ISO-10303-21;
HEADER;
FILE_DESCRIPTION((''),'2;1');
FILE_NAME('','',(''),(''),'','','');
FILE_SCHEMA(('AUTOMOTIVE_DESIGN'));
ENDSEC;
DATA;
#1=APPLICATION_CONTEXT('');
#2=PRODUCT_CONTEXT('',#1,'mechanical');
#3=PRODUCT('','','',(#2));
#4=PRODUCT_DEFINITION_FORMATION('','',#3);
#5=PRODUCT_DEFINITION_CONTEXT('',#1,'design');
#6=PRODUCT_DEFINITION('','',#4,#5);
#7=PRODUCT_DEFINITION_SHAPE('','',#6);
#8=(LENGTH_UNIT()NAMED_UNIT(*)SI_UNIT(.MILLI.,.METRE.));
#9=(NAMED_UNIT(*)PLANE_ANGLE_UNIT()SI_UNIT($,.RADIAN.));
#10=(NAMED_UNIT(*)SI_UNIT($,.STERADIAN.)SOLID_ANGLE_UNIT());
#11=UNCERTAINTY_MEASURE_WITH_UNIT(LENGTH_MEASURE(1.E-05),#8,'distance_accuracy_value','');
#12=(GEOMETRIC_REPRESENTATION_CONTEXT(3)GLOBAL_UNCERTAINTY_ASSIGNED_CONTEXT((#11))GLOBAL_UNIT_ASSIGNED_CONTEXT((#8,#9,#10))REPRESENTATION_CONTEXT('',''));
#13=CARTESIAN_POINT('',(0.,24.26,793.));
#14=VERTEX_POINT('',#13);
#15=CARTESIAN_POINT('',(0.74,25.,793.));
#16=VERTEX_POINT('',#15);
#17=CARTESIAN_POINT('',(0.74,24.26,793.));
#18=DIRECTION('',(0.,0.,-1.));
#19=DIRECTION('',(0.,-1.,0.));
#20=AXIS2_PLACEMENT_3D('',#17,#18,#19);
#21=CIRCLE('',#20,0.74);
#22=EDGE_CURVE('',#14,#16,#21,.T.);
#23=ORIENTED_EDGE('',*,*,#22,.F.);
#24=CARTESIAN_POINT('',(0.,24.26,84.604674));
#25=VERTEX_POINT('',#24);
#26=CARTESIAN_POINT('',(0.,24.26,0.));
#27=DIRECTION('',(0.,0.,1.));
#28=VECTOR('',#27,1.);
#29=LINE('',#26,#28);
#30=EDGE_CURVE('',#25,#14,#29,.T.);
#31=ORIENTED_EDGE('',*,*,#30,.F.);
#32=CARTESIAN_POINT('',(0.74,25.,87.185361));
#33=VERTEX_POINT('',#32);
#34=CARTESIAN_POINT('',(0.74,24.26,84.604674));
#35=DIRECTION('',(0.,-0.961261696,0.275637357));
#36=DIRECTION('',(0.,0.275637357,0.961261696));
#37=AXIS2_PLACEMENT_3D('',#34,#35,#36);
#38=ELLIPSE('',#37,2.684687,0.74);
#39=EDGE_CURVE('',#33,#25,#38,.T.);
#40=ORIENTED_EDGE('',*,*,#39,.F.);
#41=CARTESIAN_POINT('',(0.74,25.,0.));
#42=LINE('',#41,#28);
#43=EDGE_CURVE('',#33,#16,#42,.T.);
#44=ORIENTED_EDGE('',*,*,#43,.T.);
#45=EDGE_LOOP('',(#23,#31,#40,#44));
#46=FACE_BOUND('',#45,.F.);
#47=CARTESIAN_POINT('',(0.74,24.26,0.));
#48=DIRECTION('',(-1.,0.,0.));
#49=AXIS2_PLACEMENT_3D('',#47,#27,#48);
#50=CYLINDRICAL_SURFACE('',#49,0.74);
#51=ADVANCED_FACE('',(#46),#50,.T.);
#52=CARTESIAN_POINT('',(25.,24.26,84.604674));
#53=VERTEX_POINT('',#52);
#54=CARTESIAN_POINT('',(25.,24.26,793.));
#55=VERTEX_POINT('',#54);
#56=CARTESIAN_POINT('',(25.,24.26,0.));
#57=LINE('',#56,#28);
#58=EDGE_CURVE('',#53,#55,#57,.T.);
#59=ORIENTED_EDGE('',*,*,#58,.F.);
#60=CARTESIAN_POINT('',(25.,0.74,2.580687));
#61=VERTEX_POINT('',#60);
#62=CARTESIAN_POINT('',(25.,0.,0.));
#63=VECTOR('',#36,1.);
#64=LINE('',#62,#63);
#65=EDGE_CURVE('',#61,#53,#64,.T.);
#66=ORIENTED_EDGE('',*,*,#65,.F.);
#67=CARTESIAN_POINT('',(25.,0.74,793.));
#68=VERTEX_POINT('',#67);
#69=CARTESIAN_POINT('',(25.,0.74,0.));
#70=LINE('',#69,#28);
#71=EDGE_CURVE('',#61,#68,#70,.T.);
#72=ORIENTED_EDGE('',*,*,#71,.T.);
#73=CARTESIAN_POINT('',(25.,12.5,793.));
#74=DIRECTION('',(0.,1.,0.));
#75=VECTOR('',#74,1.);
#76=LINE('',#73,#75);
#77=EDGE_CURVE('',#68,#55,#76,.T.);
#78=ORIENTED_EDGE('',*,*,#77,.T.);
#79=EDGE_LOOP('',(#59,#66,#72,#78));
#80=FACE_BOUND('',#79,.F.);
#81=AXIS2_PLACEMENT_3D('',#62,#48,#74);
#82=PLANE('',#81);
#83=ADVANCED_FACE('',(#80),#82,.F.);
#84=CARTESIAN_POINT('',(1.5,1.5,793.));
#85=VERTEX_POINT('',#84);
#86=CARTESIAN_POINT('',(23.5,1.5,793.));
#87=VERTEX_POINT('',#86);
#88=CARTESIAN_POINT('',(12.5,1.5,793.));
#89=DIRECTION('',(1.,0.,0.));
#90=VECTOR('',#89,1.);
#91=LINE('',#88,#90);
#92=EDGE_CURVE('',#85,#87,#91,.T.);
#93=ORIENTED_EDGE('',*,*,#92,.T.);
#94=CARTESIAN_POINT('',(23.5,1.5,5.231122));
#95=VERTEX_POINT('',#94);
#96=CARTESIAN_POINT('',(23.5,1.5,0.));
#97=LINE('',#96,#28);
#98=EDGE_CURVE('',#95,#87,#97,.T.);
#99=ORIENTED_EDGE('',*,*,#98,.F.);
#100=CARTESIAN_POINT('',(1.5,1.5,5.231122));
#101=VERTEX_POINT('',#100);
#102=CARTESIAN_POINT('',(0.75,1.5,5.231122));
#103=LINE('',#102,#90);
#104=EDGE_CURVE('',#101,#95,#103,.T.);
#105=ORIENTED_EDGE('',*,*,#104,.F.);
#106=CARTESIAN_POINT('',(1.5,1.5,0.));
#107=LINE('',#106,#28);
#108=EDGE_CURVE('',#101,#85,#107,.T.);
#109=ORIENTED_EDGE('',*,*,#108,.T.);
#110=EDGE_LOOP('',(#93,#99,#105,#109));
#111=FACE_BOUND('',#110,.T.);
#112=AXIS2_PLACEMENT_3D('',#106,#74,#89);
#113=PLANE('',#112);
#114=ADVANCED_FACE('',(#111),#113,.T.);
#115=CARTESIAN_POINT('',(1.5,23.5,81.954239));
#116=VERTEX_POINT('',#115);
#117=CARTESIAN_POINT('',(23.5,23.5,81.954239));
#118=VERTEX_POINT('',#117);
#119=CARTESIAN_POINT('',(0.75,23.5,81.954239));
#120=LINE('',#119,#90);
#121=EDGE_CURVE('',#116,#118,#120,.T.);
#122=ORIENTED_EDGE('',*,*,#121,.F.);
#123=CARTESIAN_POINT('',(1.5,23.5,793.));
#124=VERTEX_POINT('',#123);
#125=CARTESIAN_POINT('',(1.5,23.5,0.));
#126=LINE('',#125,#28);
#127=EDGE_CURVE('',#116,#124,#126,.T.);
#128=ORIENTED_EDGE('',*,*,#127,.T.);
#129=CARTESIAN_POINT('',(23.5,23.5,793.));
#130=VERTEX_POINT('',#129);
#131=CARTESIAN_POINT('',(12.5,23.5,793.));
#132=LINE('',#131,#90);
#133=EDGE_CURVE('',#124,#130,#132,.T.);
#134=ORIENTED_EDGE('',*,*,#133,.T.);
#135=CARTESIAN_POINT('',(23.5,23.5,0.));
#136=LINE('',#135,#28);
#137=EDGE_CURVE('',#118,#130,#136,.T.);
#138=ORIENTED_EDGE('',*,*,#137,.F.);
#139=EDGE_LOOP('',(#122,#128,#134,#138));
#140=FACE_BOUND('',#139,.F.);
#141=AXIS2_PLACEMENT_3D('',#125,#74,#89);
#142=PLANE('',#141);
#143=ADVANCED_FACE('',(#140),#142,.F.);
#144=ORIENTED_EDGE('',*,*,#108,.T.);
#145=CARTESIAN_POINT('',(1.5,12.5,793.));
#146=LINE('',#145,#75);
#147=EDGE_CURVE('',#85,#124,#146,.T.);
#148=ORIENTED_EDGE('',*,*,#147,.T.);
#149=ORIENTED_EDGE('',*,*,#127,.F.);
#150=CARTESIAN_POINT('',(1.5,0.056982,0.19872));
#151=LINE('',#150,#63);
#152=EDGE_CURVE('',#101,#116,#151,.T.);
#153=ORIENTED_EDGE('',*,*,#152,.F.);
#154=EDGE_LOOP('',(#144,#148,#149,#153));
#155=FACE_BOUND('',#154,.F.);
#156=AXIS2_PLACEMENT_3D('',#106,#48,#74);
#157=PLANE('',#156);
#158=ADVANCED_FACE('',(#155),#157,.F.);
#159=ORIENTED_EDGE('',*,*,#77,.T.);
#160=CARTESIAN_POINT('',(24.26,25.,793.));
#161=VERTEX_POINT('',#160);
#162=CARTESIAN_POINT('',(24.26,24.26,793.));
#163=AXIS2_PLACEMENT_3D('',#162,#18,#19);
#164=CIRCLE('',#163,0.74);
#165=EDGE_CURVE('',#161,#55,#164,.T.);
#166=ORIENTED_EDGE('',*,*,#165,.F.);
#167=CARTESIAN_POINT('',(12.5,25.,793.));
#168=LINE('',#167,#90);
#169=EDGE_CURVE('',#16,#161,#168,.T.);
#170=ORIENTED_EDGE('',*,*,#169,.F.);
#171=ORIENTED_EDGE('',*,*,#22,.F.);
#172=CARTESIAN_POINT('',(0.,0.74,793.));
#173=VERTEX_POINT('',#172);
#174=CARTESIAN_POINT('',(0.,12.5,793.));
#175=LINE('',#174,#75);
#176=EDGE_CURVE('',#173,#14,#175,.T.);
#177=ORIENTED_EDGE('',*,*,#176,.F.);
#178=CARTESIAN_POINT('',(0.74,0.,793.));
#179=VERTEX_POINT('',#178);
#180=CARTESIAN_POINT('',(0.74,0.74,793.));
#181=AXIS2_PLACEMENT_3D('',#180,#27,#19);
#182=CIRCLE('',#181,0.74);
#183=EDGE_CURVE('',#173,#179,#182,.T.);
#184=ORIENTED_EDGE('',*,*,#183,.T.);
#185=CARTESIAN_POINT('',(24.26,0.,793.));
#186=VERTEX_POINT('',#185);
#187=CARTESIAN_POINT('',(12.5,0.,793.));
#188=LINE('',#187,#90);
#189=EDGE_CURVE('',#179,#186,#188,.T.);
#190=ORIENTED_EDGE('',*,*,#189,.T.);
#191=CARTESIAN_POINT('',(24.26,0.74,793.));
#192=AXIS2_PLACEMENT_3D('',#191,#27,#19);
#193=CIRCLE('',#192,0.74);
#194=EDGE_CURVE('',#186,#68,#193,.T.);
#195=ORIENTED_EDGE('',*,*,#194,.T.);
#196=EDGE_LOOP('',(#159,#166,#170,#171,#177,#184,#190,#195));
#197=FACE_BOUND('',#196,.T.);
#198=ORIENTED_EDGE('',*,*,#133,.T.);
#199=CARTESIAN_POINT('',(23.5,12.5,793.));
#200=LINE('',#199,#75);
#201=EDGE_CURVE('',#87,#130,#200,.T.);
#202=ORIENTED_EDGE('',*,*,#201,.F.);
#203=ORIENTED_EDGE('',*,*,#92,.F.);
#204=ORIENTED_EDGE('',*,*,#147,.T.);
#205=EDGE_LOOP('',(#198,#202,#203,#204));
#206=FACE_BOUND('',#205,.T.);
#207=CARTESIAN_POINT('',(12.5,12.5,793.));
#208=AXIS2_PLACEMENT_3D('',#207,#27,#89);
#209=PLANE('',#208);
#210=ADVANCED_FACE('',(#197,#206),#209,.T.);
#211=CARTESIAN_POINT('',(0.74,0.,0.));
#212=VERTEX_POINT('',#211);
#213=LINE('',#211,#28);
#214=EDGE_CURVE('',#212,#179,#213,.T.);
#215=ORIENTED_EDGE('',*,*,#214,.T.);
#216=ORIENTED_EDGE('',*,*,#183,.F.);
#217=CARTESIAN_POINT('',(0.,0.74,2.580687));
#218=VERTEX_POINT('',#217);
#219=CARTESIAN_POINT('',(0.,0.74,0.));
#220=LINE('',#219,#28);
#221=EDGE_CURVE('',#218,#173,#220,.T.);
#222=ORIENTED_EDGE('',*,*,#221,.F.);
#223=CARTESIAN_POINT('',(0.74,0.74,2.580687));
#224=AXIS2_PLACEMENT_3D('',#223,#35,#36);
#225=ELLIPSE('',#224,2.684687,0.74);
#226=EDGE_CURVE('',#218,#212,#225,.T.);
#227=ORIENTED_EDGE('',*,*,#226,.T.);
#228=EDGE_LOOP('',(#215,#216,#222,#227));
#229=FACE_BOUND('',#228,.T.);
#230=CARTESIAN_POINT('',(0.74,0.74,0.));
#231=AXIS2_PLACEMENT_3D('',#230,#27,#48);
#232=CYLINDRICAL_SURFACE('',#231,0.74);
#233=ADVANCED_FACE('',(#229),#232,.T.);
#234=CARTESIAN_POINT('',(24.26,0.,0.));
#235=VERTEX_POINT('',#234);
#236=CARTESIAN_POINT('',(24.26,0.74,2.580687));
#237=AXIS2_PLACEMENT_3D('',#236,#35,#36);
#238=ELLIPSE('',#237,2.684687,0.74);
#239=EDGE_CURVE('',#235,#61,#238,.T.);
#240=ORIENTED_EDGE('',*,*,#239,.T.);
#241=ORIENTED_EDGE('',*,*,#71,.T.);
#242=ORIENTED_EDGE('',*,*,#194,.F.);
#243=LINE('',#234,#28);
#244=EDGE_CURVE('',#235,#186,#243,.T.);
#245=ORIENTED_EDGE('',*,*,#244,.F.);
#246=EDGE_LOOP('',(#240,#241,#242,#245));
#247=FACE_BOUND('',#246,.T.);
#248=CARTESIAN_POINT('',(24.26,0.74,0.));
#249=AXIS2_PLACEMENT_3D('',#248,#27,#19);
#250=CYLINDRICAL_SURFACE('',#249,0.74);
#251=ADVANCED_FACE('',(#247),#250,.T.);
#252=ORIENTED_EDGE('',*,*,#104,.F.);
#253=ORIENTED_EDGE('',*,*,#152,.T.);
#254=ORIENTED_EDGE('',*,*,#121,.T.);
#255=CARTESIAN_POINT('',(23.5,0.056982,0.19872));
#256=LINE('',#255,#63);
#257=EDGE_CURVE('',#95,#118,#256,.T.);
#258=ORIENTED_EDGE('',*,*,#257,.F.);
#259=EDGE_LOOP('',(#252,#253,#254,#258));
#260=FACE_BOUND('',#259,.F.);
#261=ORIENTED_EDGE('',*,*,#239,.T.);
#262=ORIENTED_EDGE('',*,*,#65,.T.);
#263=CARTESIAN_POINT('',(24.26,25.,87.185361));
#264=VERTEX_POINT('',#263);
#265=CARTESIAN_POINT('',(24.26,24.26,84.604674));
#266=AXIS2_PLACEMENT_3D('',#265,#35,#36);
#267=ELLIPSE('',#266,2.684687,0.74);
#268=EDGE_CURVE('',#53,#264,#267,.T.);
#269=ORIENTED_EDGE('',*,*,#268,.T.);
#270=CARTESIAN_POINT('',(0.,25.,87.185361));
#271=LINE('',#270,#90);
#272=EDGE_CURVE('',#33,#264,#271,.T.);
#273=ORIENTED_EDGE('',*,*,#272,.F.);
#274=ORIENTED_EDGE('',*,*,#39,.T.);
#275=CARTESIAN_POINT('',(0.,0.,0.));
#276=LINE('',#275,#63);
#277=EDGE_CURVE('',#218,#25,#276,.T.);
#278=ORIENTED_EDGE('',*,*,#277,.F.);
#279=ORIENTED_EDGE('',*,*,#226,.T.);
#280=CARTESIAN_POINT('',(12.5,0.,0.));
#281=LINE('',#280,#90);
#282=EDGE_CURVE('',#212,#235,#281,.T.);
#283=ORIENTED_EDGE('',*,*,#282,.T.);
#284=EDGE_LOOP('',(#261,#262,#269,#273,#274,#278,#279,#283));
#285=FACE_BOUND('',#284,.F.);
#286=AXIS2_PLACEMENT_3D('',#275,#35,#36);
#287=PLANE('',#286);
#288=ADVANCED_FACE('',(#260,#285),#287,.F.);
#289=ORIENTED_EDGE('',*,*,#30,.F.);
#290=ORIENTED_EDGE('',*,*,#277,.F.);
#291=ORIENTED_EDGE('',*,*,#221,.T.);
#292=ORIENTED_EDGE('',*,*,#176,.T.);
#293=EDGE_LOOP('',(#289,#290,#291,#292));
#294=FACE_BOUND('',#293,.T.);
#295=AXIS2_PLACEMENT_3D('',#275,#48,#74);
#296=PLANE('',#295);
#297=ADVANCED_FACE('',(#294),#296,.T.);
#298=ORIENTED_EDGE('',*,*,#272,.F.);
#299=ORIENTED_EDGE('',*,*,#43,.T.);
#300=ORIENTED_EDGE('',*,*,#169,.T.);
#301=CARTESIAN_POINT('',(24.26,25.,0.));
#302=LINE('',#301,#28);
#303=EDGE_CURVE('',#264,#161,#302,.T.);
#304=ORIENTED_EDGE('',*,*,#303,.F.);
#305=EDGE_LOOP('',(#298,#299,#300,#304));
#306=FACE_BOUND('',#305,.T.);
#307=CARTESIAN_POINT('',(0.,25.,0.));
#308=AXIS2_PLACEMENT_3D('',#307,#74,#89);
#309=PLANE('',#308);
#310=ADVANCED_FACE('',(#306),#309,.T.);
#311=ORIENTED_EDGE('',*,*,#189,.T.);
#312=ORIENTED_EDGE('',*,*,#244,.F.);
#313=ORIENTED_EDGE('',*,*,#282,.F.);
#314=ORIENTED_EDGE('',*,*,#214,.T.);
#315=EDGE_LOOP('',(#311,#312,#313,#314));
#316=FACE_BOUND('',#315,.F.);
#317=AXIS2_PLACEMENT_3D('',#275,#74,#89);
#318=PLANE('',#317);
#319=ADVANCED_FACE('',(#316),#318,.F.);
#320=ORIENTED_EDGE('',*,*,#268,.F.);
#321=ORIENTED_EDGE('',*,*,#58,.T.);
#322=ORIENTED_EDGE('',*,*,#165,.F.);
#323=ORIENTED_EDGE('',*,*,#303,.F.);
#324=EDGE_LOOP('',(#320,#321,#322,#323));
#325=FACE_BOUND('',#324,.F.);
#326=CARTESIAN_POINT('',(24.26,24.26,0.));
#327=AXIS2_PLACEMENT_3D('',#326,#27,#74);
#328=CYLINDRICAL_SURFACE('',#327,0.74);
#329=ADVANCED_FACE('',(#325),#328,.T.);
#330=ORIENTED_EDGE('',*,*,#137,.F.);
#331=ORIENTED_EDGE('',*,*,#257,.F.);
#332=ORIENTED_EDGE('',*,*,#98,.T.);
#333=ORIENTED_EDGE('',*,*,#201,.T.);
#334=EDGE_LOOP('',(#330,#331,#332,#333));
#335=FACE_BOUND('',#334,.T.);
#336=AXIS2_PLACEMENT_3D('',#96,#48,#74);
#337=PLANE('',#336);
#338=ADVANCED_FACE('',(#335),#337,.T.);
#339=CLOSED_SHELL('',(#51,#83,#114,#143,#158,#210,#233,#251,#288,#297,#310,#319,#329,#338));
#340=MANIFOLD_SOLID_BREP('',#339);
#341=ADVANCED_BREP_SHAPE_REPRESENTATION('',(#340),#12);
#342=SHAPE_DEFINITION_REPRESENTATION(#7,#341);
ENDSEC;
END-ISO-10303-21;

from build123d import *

# Parameters (mm, degrees)
SKETCH_W     = 25
SKETCH_H     = 25
SKETCH_W_2   = 22
SKETCH_H_2   = 22
PAD_DEPTH    = 793
FILLET_R     = 0.74
POCKET_DEPTH = 25.001


with BuildPart() as part:
    # Sketch → Pad (new body)
    with BuildSketch(Plane.XY):
        with Locations((12.5, 12.5)):
            Rectangle(SKETCH_W, SKETCH_H)
        with Locations((12.5, 12.5)):
            Rectangle(SKETCH_W_2, SKETCH_H_2, mode=Mode.SUBTRACT)
    extrude(amount=PAD_DEPTH)

    # Fillet
    fillet_edges = [part.edges().sort_by_distance(p)[0] for p in [
        (25, 0, 396.5),
        (0, 0, 396.5),
        (25, 25, 396.5),
        (0, 25, 396.5),
    ]]
    fillet(fillet_edges, radius=FILLET_R)

    # Sketch001 (on Face6 of Fillet) → Pocket (cut, through all)
    with BuildSketch(Plane(origin=(0, 0, 0), x_dir=(0, -1, 0), z_dir=(-1, 0, 0))):
        Polygon((0, 0), (-33.812955, 117.919787), (-33.812955, -15.683764), align=None)
    extrude(amount=-POCKET_DEPTH, mode=Mode.SUBTRACT)


solid = part.part
